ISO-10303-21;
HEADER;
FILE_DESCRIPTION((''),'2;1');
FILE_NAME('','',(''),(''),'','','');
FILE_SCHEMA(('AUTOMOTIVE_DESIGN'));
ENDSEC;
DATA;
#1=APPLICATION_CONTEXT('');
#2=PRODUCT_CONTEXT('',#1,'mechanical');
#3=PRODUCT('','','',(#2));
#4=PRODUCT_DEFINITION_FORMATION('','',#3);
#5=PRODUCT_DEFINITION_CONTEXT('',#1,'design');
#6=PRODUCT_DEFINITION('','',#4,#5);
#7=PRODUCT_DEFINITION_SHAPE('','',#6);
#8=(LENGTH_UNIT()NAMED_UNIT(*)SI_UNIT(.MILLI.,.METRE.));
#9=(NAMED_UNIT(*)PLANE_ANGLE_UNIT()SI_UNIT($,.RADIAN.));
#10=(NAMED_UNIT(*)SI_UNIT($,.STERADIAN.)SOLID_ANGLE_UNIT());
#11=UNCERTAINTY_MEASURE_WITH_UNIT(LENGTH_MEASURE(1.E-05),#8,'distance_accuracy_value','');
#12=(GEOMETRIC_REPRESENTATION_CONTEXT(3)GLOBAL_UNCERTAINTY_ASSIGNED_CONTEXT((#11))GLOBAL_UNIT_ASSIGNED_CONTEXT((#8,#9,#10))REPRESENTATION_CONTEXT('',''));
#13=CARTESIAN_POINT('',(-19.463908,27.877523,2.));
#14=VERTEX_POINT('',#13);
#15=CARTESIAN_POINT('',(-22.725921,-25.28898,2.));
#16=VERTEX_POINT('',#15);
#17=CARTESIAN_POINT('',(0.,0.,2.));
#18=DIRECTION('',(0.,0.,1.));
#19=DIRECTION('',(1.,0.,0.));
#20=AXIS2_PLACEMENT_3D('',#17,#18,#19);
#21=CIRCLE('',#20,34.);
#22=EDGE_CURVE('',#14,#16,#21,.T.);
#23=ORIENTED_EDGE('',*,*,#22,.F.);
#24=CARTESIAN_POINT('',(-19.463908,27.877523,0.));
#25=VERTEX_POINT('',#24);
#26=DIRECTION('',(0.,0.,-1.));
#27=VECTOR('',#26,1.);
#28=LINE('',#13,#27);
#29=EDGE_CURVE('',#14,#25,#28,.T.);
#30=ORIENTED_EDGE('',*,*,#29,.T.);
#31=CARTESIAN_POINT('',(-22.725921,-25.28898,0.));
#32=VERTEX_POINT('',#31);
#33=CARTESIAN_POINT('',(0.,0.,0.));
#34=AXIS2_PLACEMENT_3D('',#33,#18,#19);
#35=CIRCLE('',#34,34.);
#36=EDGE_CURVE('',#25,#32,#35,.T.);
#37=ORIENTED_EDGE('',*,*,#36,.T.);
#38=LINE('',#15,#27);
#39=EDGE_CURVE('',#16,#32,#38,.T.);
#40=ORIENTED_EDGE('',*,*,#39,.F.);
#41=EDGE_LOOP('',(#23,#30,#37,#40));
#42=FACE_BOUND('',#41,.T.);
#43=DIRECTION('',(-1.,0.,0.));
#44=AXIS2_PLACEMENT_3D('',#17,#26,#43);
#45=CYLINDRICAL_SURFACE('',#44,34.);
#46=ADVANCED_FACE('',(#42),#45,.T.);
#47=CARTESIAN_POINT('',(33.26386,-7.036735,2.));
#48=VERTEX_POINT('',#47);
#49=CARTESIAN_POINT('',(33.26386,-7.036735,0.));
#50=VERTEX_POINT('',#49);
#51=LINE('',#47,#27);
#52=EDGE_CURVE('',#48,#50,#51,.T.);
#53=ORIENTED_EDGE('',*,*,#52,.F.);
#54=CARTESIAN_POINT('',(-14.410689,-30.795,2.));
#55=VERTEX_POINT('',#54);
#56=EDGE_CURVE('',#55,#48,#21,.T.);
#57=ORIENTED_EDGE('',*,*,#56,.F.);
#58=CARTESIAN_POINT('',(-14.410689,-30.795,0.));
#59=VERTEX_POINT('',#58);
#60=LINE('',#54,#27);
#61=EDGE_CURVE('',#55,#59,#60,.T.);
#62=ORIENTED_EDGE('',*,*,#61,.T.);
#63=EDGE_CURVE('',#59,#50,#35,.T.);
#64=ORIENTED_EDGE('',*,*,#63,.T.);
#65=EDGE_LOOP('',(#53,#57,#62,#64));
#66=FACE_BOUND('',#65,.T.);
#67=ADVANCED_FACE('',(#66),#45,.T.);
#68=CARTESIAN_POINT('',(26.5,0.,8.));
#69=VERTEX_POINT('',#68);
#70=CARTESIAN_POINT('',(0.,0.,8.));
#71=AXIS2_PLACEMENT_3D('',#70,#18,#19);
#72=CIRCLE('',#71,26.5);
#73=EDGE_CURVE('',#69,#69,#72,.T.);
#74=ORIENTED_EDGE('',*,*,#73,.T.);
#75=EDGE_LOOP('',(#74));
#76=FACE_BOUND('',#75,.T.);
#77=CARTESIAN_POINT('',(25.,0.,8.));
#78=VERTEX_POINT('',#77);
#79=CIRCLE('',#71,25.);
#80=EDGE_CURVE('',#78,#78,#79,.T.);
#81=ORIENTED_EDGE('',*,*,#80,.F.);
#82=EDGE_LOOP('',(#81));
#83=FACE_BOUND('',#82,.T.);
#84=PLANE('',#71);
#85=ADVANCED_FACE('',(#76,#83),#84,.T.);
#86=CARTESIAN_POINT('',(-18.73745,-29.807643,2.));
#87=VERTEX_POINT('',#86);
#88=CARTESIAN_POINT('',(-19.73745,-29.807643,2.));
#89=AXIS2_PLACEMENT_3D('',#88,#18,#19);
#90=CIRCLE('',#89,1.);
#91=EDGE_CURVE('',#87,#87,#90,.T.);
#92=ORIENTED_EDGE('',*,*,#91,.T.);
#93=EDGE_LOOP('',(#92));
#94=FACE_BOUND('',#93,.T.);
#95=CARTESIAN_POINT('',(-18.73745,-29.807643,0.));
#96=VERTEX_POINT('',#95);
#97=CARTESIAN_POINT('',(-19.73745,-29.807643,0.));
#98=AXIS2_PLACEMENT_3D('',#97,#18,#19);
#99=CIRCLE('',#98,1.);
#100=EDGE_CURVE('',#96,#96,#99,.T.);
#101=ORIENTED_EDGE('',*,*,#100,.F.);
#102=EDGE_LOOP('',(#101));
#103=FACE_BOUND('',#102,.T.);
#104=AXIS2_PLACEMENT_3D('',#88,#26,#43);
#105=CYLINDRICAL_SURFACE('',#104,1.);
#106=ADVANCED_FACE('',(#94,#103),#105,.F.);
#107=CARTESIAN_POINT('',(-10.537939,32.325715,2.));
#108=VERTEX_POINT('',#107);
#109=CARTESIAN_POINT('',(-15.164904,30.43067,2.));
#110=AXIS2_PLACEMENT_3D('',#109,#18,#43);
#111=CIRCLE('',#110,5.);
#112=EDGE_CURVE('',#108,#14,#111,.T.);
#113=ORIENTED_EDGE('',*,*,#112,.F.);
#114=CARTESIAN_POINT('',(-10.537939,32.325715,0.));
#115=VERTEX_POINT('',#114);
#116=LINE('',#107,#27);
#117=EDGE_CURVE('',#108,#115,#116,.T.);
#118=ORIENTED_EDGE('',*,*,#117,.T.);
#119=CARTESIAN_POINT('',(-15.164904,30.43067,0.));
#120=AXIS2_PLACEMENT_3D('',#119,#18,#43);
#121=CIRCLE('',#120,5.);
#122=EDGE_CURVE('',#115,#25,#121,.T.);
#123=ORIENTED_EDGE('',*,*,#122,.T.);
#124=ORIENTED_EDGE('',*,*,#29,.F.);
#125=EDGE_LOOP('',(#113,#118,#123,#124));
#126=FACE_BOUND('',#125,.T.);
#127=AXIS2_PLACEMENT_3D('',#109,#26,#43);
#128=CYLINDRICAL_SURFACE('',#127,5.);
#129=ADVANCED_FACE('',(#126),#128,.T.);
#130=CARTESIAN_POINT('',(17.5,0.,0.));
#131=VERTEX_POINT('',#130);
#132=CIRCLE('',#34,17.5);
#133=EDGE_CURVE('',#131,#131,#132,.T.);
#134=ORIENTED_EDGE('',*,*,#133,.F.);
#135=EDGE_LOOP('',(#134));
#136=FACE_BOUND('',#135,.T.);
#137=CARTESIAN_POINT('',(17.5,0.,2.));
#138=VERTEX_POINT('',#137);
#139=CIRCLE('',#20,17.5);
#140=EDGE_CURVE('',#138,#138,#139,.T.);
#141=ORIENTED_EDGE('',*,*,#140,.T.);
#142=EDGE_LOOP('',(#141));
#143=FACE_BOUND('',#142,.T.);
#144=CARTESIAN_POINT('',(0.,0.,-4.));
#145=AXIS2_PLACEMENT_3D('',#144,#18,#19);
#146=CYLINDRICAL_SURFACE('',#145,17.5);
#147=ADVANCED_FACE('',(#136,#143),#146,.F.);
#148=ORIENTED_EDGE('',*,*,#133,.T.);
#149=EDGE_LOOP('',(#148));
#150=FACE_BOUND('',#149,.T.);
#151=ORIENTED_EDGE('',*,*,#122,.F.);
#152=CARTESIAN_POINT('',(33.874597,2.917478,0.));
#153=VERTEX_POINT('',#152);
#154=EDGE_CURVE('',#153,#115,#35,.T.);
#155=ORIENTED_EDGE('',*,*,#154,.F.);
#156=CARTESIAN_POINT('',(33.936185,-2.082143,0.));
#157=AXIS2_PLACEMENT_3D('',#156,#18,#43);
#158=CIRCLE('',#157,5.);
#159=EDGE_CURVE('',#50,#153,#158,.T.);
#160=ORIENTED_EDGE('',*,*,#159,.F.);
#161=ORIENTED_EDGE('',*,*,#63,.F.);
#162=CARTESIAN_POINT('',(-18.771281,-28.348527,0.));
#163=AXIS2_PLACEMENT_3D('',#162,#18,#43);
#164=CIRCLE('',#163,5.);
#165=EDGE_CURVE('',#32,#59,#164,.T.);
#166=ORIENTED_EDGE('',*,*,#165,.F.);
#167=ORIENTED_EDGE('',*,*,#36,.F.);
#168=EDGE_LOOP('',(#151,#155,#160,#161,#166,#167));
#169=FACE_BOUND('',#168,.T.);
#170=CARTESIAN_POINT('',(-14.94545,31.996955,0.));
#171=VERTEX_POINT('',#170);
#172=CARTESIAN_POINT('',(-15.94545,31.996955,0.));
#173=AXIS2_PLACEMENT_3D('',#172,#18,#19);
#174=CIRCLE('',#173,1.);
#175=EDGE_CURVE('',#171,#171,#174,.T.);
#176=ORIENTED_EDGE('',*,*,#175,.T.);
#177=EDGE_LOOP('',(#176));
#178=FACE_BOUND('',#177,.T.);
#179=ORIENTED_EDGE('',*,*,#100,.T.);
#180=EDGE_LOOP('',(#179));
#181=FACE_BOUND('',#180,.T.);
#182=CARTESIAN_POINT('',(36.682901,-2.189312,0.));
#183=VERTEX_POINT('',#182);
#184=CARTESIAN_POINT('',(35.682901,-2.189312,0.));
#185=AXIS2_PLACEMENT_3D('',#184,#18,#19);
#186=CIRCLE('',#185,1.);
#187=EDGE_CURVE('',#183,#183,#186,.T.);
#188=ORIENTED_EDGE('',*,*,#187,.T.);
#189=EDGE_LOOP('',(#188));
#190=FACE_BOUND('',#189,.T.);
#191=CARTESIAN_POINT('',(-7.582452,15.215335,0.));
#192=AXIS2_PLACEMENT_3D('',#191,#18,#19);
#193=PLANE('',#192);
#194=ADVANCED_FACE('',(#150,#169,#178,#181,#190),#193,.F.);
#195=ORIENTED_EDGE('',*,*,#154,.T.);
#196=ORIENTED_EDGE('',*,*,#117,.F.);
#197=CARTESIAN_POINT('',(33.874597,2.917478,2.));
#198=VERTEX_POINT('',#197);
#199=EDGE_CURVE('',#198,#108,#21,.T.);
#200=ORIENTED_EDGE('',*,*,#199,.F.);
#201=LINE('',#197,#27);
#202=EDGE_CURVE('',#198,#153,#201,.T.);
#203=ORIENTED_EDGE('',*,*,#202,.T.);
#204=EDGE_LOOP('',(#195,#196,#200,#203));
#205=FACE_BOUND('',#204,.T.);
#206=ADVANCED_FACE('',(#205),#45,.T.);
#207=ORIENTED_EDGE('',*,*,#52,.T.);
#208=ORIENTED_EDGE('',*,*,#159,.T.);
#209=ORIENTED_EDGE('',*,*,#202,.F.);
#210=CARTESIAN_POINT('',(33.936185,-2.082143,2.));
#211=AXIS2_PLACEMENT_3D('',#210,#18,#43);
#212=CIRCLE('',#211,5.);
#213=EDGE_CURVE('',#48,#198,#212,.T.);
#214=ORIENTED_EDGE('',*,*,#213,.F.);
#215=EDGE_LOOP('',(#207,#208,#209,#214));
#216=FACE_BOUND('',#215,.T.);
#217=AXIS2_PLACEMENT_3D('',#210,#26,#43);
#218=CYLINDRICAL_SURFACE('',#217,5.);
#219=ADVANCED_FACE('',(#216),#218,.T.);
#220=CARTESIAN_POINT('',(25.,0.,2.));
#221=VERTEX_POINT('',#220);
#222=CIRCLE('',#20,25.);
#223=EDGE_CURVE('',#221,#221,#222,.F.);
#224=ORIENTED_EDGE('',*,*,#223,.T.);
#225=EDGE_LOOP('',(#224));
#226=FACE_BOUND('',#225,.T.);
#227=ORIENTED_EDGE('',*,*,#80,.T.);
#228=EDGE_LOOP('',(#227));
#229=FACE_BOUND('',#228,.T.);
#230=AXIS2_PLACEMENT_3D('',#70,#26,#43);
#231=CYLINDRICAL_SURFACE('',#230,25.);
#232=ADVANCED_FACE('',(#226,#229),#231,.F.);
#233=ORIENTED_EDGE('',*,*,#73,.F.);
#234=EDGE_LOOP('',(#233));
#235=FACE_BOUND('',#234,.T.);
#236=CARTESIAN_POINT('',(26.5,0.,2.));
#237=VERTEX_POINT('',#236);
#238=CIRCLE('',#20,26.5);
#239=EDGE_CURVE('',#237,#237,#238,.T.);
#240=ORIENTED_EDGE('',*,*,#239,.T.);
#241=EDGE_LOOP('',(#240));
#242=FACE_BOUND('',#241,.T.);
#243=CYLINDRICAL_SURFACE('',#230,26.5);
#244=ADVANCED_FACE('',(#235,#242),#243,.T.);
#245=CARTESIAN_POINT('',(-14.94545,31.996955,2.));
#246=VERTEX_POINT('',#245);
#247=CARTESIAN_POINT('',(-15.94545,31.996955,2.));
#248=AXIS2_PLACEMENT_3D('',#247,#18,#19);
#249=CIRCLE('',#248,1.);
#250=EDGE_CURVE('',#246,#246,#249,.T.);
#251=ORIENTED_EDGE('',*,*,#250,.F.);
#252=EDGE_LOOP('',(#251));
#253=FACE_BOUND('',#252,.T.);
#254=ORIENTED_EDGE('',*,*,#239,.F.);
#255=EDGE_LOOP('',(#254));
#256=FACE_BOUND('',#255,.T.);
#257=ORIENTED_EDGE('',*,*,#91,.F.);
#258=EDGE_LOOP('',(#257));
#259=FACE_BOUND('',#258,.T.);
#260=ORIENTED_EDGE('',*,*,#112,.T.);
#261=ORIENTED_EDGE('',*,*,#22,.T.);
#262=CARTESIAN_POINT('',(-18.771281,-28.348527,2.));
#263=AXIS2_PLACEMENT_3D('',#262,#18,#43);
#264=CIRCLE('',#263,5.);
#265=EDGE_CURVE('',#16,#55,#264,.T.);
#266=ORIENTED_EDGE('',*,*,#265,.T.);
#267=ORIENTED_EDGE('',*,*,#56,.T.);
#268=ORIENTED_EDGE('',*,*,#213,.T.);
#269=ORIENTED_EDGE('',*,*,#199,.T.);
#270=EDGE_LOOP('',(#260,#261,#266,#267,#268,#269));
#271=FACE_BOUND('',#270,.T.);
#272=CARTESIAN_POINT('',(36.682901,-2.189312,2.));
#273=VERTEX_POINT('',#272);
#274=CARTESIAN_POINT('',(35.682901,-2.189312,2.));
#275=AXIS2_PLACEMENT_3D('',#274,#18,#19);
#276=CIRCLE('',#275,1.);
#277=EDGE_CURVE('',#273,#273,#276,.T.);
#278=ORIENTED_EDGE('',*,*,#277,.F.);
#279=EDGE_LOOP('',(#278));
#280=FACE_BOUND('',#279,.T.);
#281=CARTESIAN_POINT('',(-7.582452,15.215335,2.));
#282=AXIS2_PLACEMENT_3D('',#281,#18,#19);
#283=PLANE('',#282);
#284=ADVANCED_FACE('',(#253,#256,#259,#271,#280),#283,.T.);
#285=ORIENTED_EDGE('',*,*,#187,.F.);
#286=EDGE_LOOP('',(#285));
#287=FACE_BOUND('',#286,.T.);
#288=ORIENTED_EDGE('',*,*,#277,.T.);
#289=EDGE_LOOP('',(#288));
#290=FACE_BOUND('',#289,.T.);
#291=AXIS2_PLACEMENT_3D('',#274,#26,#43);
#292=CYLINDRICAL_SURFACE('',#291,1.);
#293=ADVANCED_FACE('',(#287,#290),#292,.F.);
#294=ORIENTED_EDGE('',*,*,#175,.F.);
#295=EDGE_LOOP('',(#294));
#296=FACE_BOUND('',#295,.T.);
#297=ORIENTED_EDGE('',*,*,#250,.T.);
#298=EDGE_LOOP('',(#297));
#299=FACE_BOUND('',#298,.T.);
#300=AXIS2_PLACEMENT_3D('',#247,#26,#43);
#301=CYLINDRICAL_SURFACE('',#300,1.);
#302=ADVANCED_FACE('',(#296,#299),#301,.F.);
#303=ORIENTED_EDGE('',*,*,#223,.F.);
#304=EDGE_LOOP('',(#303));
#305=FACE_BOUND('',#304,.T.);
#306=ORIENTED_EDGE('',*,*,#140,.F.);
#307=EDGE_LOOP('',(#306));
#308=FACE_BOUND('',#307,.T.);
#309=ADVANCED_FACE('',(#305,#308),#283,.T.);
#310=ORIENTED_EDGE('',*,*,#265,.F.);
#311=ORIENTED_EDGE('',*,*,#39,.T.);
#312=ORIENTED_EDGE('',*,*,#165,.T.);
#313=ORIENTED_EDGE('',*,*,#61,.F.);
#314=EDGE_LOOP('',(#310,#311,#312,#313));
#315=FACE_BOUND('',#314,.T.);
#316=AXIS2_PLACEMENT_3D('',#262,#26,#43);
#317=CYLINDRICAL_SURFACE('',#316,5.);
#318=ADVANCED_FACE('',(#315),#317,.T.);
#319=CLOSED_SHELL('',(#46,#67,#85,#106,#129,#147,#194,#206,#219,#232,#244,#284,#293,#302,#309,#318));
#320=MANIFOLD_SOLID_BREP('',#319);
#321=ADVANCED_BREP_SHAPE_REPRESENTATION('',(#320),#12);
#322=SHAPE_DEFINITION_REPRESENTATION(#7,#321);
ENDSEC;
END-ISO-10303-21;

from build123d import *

# Parameters (mm, degrees)
SKETCH1_R           = 1
BOSS_EXTRUDE1_DEPTH = 2
SKETCH2_R           = 26.5
SKETCH2_R_2         = 25
BOSS_EXTRUDE2_DEPTH = 6
SKETCH3_R           = 17.5
CUT_EXTRUDE1_DEPTH  = 6


with BuildPart() as part:
    # Sketch1 → Boss-Extrude1 (new body)
    with BuildSketch(Plane.XY):
        with BuildLine():
            ThreePointArc((-19.463908256, 27.877522763), (-33.936185412, 2.082143047), (-22.725920861, -25.288980229))
            ThreePointArc((-22.725920861, -25.288980229), (-21.53176405, -32.517428202), (-14.410688779, -30.795000388))
            ThreePointArc((-14.410688779, -30.795000388), (15.164903933, -30.430670198), (33.263859745, -7.036734675))
            ThreePointArc((33.263859745, -7.036734675), (38.926800914, -2.388340554), (33.874597035, 2.917477625))
            ThreePointArc((33.874597035, 2.917477625), (18.771281479, 28.348527151), (-10.537938884, 32.325714904))
            ThreePointArc((-10.537938884, 32.325714904), (-17.395036864, 34.905768757), (-19.463908256, 27.877522763))
        make_face()
        with Locations((35.682900838, -2.189312175)):
            Circle(SKETCH1_R, mode=Mode.SUBTRACT)
        with Locations((-19.737450379, -29.807642519)):
            Circle(SKETCH1_R, mode=Mode.SUBTRACT)
        with Locations((-15.945450459, 31.996954694)):
            Circle(SKETCH1_R, mode=Mode.SUBTRACT)
    extrude(amount=BOSS_EXTRUDE1_DEPTH)

    # Sketch2 → Boss-Extrude2 (add)
    with BuildSketch(Plane.XY.offset(2)):
        Circle(SKETCH2_R)
        Circle(SKETCH2_R_2, mode=Mode.SUBTRACT)
    extrude(amount=BOSS_EXTRUDE2_DEPTH)

    # Sketch3 → Cut-Extrude1 (cut)
    with BuildSketch(Plane.XY.offset(2)):
        Circle(SKETCH3_R)
    extrude(amount=-CUT_EXTRUDE1_DEPTH, mode=Mode.SUBTRACT)


solid = part.part
